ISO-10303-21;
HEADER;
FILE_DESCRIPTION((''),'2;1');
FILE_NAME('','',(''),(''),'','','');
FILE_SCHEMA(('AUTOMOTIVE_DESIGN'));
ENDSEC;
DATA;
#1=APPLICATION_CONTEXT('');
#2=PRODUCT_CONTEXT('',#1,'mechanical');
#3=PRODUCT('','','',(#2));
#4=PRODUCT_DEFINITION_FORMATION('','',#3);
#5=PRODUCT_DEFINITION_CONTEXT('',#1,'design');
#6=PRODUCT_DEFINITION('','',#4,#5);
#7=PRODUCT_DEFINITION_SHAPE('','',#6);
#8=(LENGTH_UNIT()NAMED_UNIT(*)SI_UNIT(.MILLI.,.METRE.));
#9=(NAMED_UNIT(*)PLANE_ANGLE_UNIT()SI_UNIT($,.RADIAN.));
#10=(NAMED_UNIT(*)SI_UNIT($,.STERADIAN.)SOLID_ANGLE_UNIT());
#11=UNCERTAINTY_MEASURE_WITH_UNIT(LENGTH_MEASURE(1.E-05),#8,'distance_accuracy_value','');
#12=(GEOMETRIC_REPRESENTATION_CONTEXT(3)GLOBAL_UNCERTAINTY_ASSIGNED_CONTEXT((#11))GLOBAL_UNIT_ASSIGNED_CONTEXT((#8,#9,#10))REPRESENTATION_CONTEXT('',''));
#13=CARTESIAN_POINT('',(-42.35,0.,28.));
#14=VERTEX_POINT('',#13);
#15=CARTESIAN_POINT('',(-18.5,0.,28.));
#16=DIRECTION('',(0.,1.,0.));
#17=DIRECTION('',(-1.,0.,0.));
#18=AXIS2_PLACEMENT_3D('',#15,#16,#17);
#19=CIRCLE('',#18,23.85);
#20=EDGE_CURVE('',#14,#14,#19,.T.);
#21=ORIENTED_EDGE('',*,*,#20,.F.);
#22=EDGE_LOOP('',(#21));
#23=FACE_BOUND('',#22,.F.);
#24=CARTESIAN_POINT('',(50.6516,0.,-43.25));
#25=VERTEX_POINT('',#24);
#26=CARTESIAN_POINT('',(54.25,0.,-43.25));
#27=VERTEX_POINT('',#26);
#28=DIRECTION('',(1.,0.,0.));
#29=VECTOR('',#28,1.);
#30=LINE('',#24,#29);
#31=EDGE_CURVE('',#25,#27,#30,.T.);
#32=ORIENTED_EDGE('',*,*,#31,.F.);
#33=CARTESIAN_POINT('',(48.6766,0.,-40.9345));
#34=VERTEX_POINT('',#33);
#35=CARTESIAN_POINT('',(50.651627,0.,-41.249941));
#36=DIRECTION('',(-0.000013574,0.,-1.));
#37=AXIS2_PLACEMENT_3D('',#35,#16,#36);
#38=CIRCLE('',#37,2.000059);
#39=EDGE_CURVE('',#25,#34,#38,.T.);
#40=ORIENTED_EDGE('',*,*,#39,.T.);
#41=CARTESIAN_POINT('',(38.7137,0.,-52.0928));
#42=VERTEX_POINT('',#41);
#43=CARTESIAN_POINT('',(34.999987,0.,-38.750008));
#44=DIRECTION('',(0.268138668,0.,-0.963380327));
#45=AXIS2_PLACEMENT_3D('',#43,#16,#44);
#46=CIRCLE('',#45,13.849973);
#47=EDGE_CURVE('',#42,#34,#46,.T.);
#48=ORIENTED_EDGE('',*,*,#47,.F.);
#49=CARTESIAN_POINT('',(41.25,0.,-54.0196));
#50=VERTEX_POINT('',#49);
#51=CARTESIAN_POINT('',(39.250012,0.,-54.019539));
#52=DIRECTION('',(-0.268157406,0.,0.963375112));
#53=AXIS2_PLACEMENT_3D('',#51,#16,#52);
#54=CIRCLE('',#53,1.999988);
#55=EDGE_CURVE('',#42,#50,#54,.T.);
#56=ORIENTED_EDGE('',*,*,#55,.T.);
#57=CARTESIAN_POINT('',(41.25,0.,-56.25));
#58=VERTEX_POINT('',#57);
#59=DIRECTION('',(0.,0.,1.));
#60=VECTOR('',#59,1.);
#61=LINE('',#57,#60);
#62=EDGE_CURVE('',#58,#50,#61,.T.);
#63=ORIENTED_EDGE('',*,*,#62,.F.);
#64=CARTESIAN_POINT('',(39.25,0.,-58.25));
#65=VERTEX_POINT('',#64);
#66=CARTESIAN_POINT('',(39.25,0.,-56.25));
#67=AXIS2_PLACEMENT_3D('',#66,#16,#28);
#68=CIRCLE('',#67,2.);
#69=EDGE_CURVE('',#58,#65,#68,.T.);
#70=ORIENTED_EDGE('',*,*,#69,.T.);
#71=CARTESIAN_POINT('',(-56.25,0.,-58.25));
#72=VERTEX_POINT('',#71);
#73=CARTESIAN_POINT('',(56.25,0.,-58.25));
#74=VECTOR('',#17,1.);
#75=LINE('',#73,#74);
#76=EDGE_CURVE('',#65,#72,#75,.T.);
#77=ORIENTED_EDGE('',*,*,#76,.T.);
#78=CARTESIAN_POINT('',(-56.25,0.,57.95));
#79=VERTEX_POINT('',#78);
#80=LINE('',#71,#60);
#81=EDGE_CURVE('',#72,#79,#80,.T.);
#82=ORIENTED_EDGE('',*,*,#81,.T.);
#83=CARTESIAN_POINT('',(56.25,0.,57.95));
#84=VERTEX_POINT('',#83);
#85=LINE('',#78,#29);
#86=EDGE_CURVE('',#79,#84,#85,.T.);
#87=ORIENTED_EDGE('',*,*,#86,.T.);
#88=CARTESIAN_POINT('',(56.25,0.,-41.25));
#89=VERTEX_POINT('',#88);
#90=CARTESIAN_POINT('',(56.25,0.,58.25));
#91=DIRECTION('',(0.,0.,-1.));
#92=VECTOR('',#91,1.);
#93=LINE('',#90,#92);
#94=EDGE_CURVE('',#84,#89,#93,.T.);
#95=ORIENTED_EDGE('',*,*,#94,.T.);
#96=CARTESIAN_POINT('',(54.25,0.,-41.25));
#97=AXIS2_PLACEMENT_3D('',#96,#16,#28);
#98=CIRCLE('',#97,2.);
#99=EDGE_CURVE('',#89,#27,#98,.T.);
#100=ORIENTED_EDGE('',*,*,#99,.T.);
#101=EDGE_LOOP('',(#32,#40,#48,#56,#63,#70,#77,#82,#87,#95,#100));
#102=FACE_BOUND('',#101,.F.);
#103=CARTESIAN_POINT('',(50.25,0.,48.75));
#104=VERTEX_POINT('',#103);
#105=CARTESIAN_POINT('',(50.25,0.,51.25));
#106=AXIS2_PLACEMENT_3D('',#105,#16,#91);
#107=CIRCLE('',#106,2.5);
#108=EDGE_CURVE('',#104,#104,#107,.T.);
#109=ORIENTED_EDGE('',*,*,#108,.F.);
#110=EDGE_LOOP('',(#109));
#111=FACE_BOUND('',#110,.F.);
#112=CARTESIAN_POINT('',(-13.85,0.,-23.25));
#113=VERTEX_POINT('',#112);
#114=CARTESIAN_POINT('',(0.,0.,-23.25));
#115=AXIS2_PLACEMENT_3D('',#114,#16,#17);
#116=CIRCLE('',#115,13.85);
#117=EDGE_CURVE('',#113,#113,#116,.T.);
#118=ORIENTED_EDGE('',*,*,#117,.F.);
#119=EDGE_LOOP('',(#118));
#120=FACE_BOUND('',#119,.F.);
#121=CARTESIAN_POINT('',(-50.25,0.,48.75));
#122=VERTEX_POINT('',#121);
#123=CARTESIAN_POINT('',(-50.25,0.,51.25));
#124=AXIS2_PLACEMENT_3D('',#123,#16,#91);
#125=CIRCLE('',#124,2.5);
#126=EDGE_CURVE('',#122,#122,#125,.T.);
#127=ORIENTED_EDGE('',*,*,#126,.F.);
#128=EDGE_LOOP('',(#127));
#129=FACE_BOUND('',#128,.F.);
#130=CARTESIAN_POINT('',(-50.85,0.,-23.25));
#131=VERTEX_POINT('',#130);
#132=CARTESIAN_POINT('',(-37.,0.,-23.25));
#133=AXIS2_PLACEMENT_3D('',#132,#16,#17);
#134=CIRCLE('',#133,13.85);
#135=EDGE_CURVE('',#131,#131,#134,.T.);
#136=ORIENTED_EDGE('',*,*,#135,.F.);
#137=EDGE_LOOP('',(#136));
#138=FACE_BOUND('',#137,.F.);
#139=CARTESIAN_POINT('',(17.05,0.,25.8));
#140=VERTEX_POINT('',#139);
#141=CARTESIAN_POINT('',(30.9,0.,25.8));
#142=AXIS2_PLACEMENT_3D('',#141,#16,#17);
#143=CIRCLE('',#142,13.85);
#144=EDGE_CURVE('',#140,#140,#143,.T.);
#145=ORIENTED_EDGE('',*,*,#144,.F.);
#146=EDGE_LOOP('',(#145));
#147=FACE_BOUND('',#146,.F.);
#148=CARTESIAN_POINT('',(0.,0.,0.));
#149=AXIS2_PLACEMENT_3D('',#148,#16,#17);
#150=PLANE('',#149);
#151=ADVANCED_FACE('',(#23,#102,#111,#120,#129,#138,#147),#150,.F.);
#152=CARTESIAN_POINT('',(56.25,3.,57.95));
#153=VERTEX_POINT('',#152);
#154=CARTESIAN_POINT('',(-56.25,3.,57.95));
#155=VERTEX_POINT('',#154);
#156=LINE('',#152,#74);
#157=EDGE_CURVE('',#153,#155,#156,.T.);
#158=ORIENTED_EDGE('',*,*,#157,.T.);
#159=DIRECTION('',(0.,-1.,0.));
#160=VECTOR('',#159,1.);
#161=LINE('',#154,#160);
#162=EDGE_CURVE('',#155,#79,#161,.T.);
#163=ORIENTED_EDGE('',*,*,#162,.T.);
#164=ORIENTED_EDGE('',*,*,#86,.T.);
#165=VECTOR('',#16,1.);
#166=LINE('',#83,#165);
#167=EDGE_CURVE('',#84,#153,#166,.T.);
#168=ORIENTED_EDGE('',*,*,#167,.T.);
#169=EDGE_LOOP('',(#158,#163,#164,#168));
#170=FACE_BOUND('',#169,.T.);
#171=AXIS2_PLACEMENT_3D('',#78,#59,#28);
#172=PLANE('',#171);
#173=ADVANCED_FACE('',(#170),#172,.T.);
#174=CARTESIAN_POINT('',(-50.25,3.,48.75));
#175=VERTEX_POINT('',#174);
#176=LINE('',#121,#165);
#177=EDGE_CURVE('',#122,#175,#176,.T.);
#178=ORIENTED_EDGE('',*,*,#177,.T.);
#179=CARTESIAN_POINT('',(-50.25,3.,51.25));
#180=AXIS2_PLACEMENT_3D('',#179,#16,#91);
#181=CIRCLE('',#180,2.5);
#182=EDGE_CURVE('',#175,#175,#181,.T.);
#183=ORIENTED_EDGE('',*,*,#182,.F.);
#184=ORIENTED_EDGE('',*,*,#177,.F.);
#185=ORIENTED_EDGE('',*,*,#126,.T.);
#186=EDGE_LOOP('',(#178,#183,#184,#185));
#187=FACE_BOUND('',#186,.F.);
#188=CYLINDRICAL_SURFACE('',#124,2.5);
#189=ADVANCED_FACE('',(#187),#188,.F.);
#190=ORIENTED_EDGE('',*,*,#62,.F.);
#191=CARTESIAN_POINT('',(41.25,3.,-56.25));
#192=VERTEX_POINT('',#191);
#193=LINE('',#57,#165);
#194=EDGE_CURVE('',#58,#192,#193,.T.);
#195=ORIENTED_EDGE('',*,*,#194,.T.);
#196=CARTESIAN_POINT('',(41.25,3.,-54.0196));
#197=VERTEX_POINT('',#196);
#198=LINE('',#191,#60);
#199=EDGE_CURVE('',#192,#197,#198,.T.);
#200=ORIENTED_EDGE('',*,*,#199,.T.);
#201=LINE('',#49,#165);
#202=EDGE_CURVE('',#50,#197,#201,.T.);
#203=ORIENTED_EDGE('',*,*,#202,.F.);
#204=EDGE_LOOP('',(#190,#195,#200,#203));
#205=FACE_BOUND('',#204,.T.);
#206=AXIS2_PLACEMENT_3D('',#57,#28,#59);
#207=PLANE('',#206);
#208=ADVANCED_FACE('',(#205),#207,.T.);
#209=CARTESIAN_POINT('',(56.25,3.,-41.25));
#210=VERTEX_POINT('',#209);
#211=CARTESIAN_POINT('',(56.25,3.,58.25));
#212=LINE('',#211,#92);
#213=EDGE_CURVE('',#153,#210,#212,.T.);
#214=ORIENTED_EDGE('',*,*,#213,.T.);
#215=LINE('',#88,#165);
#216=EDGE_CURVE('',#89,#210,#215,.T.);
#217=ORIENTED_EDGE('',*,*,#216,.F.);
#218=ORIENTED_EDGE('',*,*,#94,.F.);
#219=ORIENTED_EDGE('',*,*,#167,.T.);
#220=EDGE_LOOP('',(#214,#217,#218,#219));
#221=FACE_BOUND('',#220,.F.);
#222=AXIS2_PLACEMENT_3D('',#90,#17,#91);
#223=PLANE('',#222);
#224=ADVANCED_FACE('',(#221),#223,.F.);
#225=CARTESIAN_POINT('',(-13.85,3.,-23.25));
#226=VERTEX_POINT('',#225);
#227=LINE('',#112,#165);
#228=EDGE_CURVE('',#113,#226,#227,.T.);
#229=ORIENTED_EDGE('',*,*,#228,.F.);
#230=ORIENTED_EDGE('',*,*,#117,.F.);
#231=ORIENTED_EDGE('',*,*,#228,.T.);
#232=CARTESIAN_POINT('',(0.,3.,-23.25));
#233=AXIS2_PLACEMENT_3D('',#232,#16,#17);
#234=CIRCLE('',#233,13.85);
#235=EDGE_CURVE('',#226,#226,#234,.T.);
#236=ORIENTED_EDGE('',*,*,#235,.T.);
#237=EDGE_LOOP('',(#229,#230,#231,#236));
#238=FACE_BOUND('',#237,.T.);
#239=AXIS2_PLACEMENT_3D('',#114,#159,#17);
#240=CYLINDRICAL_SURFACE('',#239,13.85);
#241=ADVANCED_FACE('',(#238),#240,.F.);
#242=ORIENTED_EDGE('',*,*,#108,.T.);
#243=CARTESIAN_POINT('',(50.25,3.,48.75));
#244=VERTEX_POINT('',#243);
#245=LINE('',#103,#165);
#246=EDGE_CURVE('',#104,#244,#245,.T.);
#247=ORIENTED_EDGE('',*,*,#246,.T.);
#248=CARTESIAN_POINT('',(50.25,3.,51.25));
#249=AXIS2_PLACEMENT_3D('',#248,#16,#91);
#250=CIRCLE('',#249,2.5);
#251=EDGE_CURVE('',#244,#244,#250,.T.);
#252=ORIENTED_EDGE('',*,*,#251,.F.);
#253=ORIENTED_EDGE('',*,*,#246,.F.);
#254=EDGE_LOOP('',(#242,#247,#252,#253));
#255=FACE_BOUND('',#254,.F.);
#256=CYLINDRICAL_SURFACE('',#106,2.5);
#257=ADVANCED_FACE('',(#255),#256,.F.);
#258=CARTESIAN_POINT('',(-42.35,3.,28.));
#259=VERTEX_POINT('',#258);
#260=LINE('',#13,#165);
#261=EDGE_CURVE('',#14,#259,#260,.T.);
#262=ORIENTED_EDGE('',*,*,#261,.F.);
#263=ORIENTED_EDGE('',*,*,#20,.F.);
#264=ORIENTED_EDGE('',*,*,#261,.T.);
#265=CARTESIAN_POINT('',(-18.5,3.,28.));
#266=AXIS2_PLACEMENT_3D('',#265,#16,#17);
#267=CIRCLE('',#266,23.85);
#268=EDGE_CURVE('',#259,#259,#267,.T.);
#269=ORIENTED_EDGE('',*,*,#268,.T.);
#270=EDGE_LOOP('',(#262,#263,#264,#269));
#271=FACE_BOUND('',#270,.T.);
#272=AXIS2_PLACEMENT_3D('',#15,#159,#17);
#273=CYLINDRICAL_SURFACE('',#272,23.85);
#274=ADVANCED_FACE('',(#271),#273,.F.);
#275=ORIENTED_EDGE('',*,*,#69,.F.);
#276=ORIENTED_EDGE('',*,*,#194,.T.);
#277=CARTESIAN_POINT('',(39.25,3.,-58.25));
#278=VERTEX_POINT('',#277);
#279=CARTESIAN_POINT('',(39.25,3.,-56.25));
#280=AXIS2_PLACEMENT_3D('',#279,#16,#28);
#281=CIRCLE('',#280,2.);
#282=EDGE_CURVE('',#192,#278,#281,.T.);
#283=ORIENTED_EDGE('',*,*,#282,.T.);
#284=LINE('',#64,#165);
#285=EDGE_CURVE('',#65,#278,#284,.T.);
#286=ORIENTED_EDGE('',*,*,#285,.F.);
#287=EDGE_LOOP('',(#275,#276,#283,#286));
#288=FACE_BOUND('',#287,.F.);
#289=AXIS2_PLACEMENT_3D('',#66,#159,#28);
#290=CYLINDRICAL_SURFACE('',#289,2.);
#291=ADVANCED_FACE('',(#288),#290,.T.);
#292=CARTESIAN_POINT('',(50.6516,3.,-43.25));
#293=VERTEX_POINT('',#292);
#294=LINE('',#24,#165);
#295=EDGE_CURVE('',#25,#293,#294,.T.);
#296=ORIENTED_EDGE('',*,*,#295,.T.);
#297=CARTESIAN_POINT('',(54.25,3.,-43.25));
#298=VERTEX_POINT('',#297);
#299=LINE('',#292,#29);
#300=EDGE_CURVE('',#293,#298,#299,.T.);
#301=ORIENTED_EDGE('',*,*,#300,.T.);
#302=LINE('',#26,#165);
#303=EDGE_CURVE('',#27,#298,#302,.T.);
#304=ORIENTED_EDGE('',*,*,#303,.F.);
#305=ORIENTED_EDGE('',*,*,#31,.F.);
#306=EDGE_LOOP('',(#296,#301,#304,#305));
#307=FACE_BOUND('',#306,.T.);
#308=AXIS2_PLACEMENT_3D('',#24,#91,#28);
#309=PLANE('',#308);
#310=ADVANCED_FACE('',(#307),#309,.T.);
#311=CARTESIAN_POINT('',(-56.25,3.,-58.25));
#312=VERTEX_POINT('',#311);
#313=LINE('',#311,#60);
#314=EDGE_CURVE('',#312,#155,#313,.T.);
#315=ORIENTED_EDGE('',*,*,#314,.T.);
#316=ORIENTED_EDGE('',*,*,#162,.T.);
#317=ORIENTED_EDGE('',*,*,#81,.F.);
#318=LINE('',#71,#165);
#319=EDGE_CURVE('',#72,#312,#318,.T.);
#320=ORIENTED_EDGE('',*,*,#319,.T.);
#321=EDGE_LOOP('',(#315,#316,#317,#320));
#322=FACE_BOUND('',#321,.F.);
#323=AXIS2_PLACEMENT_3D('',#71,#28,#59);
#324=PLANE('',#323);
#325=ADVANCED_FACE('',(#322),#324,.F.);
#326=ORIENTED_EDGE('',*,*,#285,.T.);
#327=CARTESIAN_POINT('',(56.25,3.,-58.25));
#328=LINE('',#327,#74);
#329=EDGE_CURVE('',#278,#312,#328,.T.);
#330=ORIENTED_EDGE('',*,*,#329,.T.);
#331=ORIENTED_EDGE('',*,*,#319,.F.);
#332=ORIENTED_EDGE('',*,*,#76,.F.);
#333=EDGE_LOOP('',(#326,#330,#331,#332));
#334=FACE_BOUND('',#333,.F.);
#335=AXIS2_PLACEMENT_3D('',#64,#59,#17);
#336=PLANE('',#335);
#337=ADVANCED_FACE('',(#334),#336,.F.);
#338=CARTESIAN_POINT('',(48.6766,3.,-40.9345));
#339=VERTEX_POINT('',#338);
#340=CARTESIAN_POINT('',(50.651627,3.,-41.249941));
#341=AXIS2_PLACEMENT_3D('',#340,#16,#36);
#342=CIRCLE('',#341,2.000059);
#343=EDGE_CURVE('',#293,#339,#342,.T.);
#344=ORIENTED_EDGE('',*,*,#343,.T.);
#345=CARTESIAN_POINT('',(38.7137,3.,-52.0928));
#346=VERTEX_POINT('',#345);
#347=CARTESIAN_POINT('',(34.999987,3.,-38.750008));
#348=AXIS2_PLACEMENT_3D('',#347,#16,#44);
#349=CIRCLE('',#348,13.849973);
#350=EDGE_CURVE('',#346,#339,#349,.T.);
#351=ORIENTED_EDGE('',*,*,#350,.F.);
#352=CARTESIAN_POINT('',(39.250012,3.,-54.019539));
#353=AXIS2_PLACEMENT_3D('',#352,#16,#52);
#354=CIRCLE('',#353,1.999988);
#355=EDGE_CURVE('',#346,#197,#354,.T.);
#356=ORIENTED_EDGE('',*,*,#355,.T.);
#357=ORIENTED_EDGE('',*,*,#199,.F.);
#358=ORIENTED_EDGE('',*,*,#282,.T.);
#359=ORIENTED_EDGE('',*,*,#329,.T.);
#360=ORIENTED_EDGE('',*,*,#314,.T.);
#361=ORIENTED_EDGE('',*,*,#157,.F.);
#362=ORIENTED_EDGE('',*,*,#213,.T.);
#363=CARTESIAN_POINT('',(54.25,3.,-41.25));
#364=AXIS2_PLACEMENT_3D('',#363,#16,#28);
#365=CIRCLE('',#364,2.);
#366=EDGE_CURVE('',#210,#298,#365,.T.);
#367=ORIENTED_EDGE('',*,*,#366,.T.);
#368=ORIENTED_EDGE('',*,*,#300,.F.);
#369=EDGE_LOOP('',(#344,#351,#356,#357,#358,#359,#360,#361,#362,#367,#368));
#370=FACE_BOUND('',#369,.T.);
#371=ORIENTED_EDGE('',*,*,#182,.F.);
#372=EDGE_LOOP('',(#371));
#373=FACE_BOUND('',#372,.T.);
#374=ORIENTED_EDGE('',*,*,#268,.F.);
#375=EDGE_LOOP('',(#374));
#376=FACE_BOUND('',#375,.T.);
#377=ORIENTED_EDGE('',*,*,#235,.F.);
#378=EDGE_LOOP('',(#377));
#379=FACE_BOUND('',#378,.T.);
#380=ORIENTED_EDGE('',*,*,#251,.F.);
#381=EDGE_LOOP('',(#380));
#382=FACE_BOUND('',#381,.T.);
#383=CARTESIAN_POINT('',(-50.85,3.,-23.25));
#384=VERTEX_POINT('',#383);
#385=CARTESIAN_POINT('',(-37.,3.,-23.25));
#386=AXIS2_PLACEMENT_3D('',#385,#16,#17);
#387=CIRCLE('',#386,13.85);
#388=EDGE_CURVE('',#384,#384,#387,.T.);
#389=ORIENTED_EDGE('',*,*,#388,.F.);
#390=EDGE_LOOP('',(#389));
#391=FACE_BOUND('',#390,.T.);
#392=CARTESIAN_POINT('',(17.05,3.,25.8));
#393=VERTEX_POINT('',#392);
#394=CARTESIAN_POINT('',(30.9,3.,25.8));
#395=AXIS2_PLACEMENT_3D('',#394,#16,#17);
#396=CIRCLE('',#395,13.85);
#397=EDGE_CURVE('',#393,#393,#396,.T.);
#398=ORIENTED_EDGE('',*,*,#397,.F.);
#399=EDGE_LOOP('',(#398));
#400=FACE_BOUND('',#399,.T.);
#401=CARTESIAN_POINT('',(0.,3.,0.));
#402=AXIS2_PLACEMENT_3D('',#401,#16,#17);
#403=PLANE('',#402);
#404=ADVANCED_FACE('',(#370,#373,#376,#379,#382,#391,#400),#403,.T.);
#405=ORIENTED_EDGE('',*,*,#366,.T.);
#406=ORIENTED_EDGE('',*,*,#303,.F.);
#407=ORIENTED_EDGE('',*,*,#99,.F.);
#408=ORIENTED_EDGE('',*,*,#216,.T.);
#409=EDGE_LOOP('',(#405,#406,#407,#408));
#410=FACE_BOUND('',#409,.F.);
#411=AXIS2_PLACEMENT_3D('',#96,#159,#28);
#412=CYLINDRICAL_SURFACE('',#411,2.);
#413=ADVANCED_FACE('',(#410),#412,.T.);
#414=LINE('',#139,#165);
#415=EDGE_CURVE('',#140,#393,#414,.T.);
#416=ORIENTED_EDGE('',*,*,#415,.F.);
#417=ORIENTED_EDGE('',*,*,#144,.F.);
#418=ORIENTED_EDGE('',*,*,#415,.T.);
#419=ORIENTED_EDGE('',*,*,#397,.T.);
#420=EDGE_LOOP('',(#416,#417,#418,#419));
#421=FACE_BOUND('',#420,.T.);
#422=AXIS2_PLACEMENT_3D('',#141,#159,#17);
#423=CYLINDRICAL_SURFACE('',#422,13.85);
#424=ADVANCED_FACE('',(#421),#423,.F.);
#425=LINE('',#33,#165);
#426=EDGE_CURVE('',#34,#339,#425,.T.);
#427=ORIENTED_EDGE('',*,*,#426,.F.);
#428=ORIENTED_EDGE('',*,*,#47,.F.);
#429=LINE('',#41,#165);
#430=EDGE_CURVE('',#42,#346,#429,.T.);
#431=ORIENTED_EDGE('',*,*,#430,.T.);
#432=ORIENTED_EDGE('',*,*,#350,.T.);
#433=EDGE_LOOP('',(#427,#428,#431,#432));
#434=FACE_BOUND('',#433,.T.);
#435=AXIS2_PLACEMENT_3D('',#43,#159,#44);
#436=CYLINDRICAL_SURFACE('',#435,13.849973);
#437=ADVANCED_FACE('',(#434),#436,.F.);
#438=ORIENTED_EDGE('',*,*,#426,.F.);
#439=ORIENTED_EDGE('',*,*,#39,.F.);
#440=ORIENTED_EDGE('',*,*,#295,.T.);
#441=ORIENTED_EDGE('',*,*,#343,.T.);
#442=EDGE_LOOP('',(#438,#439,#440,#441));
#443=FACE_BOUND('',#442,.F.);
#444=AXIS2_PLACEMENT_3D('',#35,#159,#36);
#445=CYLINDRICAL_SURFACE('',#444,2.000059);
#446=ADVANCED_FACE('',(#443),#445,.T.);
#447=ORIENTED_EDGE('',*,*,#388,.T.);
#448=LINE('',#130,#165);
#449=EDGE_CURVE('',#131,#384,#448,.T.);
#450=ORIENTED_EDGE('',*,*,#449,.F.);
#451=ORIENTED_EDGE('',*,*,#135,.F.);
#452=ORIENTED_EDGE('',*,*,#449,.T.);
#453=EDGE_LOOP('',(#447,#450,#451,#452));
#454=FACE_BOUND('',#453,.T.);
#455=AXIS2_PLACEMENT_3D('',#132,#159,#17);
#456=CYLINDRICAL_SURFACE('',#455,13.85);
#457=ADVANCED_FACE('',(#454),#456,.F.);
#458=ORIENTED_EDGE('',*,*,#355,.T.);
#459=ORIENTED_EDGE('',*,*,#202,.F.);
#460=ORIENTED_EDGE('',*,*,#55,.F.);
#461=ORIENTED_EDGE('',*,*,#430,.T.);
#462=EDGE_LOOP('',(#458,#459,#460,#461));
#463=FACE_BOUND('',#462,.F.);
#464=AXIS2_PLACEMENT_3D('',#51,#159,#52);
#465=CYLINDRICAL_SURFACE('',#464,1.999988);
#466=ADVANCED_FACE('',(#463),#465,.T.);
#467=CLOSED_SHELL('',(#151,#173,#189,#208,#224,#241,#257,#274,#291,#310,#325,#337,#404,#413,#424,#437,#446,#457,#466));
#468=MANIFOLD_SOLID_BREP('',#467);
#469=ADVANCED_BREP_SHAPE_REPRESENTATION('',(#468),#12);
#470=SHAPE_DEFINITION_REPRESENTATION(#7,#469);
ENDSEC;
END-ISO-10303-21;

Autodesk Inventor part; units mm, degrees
ref_plane "YZ Plane" through (0, 0, 0) normal (1, 0, 0) x (0, 1, 0)
ref_plane "XZ Plane" through (0, 0, 0) normal (0, 1, 0) x (-1, 0, 0)
ref_plane "XY Plane" through (0, 0, 0) normal (0, 0, 1) x (1, 0, 0)
sketch "Sketch1" plane through (0, 0, 0) normal (0, 1, 0) x (-1, 0, 0)
  circle A0 centre (18.5, 28) radius 23.85
  circle A1 centre (37, -23.25) radius 13.85
  arc A2 (-38.7137, -52.0928) -> (-48.6766, -40.9345) centre (-35, -38.75) ccw
  circle A3 centre (-30.9, 25.8) radius 13.85
  circle A4 centre (0, -23.25) radius 13.85
  line L0 (56.25, 58.25) -> (-56.25, 58.25)
  line L1 (-56.25, -58.25) -> (56.25, -58.25)
  line L2 (0, -105.9299) -> (0, 123.2086) construction
  line L3 (-76.4777, -38.75) -> (-5.35, -38.75) construction
  line L4 (-123.5447, -23.25) -> (82.5572, -23.25) construction
  line L5 (56.25, -58.25) -> (56.25, 58.25) construction
  line L6 (56.25, 58.25) -> (-56.25, 58.25)
  line L7 (-56.25, 58.25) -> (-56.25, -41.25)
  line L8 (-39.25, -58.25) -> (56.25, -58.25)
  line L9 (56.25, -58.25) -> (56.25, 58.25)
  line L10 (-56.25, -58.25) -> (-41.25, -58.25)
  line L11 (-41.25, -56.25) -> (-41.25, -54.0196)
  line L12 (-50.6516, -43.25) -> (-54.25, -43.25)
  line L13 (-56.25, -43.25) -> (-56.25, -58.25)
  arc A5 (-41.25, -56.25) -> (-39.25, -58.25) centre (-39.25, -56.25) ccw
  arc A6 (-56.25, -41.25) -> (-54.25, -43.25) centre (-54.25, -41.25) ccw
  arc A7 (-38.7137, -52.0928) -> (-41.25, -54.0196) centre (-39.25, -54.0196) ccw
  arc A8 (-50.6516, -43.25) -> (-48.6766, -40.9345) centre (-50.6516, -41.25) ccw
  point P0 (0, 0)
  point P1 (0, 0)
  point P2 (-48.0986, -43.25)
  point P3 (-56.25, -43.25)
  point P4 (-41.25, -51.1096)
  dimension "d0" = 47.7
  dimension "d1" = 27.7
  dimension "d2" = 27.7
  dimension "d3" = 27.7
  dimension "d4" = 27.7
  dimension "d5" = 116.5
  dimension "d6" = 112.5
  dimension "d7" = 37
  dimension "d8" = 18.5
  dimension "d9" = 30.9
  dimension "d10" = 19.5
  dimension "d11" = 35
  dimension "d12" = 35
  dimension "d13" = 25.8
  dimension "d14" = 28
  dimension "d20" = 112.5
  dimension "d21" = 56.25
  dimension "d22" = 58.25
  dimension "d23" = 116.5
  dimension "d24" = 23.25
  dimension "d25" = 35
  dimension "d26" = 35
  dimension "d27" = 19.25
  dimension "d28" = 37.75
  dimension "d29" = 30.25
  dimension "d30" = 2
  dimension "d31" = 2
  dimension "d32" = 15
  dimension "d33" = 15
  dimension "d34" = 2
extrude "Extrusion1" add sketch "Sketch1" along normal blind 3
sketch "Sketch2" plane through (0, 0, 0) normal (0, -1, 0) x (1, 0, 0)
  line L0 (70.8974, 51.25) -> (-70.9169, 51.25) construction
  line L1 (-56.25, 58.25) -> (56.25, 58.25) construction
  line L2 (56.25, 58.25) -> (56.25, -41.25) construction
  line L3 (-56.25, -58.25) -> (-56.25, 58.25) construction
  point P0 (0, 0)
  point P1 (50.25, 51.25)
  point P2 (-50.25, 51.25)
  dimension "d35" = 7
  dimension "d36" = 6
  dimension "d37" = 6
hole "Hole1" at (50.25, 0, 51.25) at (-50.25, 0, 51.25) direction (0, 1, 0) diameter 5 end through all
sketch "Sketch3" plane through (-56.25, 0, 58.25) normal (0, 0, 1) x (1, 0, 0)
  line L0 (112.5, 0) -> (112.5, 3) projected
  line L1 (0, 0) -> (112.5, 0)
  line L2 (112.5, 0) -> (112.5, 3)
  line L3 (112.5, 3) -> (0, 3)
  line L4 (0, 3) -> (0, 0)
  point P0 (56.25, 0)
extrude "Extrusion2" cut sketch "Sketch3" against normal blind 0.3
properties part number "Bottle Spacer Base"
